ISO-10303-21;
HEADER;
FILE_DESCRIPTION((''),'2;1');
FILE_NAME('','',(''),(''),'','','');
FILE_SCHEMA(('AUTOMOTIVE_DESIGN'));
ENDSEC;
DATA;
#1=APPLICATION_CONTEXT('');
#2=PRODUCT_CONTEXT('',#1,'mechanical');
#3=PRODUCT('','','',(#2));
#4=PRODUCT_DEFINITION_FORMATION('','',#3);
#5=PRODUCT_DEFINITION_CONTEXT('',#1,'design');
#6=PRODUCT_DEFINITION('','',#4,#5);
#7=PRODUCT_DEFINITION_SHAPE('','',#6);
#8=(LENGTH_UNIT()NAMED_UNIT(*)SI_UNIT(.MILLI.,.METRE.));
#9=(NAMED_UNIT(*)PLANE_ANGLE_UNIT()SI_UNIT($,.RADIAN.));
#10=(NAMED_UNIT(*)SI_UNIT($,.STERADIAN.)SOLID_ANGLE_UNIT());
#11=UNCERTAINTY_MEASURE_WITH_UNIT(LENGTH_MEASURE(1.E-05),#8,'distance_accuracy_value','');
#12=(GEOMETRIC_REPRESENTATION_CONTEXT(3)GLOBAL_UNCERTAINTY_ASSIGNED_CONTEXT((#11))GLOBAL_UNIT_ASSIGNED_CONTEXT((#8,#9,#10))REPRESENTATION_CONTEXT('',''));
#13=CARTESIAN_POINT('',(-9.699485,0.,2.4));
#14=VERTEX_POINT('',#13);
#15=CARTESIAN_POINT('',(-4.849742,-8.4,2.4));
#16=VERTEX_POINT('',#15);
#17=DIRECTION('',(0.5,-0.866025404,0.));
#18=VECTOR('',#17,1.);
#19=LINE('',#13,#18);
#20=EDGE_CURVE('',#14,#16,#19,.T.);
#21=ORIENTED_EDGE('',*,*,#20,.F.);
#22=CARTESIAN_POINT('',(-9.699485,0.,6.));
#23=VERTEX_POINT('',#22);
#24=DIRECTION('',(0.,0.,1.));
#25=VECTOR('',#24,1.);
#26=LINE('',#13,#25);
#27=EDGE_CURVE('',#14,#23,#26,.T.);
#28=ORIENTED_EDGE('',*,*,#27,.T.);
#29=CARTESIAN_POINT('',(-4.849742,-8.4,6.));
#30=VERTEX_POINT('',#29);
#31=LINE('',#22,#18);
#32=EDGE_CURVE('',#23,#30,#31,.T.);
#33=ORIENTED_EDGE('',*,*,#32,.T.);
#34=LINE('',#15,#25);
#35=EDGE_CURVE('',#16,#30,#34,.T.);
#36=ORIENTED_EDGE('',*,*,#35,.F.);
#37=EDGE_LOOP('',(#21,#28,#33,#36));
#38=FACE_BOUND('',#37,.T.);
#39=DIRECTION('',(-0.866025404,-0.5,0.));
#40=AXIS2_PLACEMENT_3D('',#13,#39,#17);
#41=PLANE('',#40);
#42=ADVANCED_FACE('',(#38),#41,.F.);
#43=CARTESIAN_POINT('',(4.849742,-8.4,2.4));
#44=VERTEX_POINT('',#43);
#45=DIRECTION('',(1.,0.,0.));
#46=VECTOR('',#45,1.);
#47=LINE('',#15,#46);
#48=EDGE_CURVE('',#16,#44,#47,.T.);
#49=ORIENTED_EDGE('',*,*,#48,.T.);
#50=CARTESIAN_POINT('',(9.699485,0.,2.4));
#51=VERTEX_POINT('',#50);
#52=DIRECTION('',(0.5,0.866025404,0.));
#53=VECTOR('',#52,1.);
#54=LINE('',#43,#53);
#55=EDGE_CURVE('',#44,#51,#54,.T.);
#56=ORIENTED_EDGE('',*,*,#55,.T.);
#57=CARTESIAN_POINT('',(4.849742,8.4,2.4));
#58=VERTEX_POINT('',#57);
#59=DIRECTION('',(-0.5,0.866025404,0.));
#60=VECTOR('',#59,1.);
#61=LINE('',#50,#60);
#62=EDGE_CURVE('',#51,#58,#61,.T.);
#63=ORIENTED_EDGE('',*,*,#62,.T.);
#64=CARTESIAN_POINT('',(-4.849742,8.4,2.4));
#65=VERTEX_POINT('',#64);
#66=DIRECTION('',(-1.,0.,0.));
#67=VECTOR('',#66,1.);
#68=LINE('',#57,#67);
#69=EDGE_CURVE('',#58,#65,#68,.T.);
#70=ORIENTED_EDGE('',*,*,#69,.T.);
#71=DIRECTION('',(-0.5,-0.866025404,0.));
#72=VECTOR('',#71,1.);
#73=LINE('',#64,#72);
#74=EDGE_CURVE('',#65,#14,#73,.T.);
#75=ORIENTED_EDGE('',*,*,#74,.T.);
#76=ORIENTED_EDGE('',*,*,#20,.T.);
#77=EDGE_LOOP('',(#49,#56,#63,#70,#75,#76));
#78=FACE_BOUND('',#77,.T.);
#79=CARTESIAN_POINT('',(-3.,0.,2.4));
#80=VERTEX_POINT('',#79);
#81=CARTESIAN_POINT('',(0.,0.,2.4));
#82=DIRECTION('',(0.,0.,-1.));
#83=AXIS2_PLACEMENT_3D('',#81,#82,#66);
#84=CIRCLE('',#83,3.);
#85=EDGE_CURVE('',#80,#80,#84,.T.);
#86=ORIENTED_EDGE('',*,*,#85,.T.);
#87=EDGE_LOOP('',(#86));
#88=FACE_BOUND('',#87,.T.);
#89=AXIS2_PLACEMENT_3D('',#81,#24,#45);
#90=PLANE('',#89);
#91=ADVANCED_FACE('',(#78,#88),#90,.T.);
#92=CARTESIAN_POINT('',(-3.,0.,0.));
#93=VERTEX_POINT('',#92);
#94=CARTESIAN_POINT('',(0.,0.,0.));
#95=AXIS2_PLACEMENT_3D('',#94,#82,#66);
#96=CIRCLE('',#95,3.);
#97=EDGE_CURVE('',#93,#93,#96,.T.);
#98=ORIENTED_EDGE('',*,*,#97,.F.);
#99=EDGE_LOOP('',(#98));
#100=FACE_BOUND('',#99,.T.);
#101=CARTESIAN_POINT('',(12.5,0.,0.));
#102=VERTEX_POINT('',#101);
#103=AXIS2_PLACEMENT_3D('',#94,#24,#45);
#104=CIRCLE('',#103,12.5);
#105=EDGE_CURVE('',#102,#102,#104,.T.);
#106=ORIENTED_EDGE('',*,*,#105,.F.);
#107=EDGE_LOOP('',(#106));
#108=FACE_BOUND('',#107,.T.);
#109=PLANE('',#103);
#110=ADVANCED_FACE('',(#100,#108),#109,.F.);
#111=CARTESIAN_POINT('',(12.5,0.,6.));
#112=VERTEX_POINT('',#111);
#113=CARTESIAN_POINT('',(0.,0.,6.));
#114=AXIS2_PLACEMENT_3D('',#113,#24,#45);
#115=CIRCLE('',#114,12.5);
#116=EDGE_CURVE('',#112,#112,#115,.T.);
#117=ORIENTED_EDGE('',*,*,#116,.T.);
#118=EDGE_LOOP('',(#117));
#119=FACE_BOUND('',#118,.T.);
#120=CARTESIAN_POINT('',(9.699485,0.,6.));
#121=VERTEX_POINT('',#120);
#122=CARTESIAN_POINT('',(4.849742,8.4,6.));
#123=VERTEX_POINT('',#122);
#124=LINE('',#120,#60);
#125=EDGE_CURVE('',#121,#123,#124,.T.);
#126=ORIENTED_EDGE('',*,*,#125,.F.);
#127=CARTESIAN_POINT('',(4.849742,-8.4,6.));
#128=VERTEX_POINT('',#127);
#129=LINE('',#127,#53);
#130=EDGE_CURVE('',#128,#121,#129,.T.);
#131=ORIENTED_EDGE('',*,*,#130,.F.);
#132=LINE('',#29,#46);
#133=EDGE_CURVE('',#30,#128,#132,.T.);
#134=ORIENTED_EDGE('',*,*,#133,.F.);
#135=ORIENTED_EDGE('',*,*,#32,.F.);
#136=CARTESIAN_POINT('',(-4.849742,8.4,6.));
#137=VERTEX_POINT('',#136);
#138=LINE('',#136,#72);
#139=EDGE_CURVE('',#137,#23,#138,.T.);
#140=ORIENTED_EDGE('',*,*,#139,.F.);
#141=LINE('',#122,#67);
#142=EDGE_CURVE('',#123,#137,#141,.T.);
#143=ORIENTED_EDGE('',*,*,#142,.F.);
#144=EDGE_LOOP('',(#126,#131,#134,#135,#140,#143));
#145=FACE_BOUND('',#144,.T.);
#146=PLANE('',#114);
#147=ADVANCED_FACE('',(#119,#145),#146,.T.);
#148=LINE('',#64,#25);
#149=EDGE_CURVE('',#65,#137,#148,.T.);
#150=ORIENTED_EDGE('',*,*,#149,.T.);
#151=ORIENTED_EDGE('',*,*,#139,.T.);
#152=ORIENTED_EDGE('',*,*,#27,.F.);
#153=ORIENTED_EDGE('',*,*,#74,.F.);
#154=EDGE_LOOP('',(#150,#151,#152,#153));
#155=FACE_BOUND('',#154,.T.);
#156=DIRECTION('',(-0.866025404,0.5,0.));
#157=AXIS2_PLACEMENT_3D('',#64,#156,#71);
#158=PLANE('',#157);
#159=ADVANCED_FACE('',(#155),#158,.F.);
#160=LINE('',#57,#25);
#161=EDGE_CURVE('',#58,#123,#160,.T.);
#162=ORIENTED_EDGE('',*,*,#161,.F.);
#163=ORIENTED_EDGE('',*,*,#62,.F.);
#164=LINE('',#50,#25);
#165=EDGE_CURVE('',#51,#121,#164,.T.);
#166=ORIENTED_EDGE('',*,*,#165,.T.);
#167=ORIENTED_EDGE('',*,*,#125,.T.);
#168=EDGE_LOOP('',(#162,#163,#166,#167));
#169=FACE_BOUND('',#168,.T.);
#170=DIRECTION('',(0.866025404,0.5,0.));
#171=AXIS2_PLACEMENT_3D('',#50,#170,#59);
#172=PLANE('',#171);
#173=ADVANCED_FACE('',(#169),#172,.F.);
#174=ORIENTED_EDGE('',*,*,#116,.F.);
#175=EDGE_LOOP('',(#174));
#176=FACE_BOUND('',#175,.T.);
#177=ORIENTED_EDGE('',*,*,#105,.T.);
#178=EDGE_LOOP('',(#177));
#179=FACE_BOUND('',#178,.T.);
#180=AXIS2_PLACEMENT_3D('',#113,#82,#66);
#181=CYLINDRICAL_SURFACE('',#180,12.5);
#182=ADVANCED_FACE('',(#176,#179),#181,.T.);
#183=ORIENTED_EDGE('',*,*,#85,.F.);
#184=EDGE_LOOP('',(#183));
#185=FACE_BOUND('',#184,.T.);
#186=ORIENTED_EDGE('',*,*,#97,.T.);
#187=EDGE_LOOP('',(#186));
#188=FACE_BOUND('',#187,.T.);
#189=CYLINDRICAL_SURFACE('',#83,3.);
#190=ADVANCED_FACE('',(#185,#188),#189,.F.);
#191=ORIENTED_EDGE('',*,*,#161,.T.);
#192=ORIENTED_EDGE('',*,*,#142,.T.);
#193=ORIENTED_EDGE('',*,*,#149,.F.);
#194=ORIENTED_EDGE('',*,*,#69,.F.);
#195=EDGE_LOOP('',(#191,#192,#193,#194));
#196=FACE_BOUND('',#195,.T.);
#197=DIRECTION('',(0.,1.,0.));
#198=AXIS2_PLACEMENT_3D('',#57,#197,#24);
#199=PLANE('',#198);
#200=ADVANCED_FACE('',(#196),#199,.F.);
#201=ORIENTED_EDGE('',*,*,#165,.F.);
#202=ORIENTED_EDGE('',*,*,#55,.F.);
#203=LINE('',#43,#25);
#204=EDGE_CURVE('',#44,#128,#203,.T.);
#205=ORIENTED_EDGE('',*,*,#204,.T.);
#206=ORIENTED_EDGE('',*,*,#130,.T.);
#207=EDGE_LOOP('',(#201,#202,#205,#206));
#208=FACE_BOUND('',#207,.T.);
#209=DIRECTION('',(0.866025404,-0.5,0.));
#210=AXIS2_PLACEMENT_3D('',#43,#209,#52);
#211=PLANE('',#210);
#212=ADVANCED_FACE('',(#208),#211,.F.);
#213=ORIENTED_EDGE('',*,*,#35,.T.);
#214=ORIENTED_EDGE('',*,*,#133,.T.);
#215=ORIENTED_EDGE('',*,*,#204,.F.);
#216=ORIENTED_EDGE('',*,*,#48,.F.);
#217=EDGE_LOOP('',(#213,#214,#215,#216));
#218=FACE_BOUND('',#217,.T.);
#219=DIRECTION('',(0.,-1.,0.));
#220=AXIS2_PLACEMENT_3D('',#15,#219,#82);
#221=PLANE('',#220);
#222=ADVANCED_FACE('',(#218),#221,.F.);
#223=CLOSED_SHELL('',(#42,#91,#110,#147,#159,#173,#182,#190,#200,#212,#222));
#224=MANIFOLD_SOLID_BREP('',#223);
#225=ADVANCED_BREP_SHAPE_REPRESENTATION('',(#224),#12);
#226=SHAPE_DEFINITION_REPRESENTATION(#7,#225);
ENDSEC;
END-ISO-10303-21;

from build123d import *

# Parameters (mm, degrees)
SKETCH_1_R          = 12.5
EXTRUDE_1_DEPTH     = 6
CUT_EXTRUDE_1_DEPTH = 3.6
SKETCH_3_R          = 3
CUT_EXTRUDE_2_DEPTH = 2.4


with BuildPart() as part:
    # 草图1 → 凸台-拉伸1 (new body)
    with BuildSketch(Plane.XY):
        Circle(SKETCH_1_R)
    extrude(amount=EXTRUDE_1_DEPTH)

    # 草图2 → 切除-拉伸1 (cut)
    with BuildSketch(Plane.XY.offset(6)):
        Polygon((9.699484522, 0), (4.849742261, 8.4), (-4.849742261, 8.4), (-9.699484522, 0), (-4.849742261, -8.4), (4.849742261, -8.4), align=None)
    extrude(amount=-CUT_EXTRUDE_1_DEPTH, mode=Mode.SUBTRACT)

    # 草图3 → 切除-拉伸2 (cut)
    with BuildSketch(Plane(origin=(0, 0, 0), x_dir=(-1, 0, 0), z_dir=(0, 0, -1))):
        Circle(SKETCH_3_R)
    extrude(amount=-CUT_EXTRUDE_2_DEPTH, mode=Mode.SUBTRACT)


solid = part.part
